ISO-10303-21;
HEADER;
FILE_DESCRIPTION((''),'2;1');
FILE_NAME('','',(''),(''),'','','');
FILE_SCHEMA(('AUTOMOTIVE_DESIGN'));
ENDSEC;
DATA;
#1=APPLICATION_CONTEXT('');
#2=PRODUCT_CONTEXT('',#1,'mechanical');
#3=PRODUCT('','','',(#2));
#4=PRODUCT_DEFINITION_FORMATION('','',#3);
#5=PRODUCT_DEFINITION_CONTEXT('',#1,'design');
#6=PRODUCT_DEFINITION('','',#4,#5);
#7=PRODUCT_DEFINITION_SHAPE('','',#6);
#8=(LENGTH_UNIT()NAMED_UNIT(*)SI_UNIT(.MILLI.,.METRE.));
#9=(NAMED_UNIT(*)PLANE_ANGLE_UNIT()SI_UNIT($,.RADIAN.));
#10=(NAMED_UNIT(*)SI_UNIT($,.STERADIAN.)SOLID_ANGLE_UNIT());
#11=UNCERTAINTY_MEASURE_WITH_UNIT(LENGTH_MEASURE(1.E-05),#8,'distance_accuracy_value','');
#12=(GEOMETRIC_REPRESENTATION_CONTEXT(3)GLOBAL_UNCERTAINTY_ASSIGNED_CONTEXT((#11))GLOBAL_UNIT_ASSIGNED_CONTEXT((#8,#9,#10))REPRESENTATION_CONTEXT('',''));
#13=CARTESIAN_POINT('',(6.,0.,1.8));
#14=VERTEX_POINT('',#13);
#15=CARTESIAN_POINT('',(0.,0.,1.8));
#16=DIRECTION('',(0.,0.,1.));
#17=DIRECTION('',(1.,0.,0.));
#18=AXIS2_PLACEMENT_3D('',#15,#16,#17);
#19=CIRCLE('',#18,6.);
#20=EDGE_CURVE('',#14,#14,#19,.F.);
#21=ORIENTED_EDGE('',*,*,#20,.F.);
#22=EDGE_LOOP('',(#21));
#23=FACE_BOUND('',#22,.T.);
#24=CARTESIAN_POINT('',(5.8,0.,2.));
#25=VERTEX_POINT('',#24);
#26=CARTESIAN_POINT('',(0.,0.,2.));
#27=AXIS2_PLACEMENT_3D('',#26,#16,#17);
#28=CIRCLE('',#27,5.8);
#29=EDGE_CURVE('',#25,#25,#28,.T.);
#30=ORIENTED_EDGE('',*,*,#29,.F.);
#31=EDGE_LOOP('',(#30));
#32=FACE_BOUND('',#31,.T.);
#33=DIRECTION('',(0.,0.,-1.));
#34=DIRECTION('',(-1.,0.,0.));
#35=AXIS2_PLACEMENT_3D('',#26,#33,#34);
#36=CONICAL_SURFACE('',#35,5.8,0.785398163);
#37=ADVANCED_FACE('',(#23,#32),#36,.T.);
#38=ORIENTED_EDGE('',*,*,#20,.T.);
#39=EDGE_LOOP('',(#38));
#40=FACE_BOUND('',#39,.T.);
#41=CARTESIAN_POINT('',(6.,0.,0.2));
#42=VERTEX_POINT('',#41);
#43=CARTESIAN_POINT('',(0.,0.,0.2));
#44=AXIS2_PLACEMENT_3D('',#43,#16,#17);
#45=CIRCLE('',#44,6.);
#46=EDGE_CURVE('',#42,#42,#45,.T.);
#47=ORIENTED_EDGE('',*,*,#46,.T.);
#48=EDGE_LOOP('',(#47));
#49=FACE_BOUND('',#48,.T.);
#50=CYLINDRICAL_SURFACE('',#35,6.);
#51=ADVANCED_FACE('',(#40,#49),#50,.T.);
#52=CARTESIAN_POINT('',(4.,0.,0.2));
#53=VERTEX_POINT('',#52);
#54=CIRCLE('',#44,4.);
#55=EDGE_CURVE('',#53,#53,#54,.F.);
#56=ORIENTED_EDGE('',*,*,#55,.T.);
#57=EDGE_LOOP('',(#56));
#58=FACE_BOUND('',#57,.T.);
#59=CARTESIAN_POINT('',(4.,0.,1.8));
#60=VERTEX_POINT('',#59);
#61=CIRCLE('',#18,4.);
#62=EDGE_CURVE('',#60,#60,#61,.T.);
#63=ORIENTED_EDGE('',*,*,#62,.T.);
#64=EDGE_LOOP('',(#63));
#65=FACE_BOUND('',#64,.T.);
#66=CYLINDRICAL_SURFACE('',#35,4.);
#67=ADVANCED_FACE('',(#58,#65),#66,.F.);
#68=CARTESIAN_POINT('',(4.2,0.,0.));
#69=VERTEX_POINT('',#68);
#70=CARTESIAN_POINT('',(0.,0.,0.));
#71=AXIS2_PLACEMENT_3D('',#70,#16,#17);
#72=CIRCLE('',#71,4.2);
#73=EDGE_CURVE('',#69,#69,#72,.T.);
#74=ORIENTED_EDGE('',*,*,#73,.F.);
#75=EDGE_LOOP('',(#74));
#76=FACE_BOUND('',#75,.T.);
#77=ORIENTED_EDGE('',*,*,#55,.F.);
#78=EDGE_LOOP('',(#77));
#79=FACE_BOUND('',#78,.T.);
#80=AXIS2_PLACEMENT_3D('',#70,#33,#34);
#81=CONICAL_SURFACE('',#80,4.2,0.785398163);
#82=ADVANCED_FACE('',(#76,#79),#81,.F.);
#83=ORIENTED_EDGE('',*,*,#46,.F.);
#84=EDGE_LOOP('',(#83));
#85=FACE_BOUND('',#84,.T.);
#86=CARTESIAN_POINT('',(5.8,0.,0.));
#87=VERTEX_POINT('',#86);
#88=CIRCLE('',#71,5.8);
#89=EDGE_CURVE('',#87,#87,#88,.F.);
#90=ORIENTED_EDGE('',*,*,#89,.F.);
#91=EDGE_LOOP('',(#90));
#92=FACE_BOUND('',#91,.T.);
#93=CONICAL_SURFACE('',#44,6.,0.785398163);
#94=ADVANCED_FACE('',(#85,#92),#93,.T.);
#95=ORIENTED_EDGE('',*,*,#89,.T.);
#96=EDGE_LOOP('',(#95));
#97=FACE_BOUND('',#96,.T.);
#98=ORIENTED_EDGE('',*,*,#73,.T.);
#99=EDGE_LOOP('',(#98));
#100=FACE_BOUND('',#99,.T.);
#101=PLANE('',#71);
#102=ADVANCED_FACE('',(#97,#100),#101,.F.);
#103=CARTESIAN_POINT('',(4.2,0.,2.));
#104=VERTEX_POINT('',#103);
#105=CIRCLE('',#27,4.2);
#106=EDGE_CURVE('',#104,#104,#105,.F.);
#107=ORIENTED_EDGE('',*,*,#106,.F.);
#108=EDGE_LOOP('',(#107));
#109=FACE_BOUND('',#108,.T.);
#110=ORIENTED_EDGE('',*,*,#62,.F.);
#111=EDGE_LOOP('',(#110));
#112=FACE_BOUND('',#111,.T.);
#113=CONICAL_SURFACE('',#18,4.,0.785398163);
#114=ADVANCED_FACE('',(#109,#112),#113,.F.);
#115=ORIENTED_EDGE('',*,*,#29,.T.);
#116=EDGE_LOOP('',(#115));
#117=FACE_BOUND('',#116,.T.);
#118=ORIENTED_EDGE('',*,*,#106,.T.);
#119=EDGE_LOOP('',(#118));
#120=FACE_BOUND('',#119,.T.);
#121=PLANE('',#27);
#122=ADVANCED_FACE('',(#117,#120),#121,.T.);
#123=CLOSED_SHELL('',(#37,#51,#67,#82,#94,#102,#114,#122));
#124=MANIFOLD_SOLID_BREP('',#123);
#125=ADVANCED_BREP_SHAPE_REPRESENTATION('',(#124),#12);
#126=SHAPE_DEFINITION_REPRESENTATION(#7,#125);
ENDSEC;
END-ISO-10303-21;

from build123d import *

# Parameters (mm, degrees)
SKETCH_1_R      = 6
SKETCH_1_R_2    = 4
EXTRUDE_1_DEPTH = 2
CHAMFER_1_SIZE  = 0.2


with BuildPart() as part:
    # 草图1 → 拉伸1 (new body)
    with BuildSketch(Plane.XY):
        Circle(SKETCH_1_R)
        Circle(SKETCH_1_R_2, mode=Mode.SUBTRACT)
    extrude(amount=EXTRUDE_1_DEPTH)

    # 倒角1
    chamfer_1_edges = [part.edges().sort_by_distance(p)[0] for p in [
        (-6, 0, 0),
        (-6, 0, 2),
        (-4, 0, 0),
        (-4, 0, 2),
    ]]
    chamfer(chamfer_1_edges, length=CHAMFER_1_SIZE)


solid = part.part
